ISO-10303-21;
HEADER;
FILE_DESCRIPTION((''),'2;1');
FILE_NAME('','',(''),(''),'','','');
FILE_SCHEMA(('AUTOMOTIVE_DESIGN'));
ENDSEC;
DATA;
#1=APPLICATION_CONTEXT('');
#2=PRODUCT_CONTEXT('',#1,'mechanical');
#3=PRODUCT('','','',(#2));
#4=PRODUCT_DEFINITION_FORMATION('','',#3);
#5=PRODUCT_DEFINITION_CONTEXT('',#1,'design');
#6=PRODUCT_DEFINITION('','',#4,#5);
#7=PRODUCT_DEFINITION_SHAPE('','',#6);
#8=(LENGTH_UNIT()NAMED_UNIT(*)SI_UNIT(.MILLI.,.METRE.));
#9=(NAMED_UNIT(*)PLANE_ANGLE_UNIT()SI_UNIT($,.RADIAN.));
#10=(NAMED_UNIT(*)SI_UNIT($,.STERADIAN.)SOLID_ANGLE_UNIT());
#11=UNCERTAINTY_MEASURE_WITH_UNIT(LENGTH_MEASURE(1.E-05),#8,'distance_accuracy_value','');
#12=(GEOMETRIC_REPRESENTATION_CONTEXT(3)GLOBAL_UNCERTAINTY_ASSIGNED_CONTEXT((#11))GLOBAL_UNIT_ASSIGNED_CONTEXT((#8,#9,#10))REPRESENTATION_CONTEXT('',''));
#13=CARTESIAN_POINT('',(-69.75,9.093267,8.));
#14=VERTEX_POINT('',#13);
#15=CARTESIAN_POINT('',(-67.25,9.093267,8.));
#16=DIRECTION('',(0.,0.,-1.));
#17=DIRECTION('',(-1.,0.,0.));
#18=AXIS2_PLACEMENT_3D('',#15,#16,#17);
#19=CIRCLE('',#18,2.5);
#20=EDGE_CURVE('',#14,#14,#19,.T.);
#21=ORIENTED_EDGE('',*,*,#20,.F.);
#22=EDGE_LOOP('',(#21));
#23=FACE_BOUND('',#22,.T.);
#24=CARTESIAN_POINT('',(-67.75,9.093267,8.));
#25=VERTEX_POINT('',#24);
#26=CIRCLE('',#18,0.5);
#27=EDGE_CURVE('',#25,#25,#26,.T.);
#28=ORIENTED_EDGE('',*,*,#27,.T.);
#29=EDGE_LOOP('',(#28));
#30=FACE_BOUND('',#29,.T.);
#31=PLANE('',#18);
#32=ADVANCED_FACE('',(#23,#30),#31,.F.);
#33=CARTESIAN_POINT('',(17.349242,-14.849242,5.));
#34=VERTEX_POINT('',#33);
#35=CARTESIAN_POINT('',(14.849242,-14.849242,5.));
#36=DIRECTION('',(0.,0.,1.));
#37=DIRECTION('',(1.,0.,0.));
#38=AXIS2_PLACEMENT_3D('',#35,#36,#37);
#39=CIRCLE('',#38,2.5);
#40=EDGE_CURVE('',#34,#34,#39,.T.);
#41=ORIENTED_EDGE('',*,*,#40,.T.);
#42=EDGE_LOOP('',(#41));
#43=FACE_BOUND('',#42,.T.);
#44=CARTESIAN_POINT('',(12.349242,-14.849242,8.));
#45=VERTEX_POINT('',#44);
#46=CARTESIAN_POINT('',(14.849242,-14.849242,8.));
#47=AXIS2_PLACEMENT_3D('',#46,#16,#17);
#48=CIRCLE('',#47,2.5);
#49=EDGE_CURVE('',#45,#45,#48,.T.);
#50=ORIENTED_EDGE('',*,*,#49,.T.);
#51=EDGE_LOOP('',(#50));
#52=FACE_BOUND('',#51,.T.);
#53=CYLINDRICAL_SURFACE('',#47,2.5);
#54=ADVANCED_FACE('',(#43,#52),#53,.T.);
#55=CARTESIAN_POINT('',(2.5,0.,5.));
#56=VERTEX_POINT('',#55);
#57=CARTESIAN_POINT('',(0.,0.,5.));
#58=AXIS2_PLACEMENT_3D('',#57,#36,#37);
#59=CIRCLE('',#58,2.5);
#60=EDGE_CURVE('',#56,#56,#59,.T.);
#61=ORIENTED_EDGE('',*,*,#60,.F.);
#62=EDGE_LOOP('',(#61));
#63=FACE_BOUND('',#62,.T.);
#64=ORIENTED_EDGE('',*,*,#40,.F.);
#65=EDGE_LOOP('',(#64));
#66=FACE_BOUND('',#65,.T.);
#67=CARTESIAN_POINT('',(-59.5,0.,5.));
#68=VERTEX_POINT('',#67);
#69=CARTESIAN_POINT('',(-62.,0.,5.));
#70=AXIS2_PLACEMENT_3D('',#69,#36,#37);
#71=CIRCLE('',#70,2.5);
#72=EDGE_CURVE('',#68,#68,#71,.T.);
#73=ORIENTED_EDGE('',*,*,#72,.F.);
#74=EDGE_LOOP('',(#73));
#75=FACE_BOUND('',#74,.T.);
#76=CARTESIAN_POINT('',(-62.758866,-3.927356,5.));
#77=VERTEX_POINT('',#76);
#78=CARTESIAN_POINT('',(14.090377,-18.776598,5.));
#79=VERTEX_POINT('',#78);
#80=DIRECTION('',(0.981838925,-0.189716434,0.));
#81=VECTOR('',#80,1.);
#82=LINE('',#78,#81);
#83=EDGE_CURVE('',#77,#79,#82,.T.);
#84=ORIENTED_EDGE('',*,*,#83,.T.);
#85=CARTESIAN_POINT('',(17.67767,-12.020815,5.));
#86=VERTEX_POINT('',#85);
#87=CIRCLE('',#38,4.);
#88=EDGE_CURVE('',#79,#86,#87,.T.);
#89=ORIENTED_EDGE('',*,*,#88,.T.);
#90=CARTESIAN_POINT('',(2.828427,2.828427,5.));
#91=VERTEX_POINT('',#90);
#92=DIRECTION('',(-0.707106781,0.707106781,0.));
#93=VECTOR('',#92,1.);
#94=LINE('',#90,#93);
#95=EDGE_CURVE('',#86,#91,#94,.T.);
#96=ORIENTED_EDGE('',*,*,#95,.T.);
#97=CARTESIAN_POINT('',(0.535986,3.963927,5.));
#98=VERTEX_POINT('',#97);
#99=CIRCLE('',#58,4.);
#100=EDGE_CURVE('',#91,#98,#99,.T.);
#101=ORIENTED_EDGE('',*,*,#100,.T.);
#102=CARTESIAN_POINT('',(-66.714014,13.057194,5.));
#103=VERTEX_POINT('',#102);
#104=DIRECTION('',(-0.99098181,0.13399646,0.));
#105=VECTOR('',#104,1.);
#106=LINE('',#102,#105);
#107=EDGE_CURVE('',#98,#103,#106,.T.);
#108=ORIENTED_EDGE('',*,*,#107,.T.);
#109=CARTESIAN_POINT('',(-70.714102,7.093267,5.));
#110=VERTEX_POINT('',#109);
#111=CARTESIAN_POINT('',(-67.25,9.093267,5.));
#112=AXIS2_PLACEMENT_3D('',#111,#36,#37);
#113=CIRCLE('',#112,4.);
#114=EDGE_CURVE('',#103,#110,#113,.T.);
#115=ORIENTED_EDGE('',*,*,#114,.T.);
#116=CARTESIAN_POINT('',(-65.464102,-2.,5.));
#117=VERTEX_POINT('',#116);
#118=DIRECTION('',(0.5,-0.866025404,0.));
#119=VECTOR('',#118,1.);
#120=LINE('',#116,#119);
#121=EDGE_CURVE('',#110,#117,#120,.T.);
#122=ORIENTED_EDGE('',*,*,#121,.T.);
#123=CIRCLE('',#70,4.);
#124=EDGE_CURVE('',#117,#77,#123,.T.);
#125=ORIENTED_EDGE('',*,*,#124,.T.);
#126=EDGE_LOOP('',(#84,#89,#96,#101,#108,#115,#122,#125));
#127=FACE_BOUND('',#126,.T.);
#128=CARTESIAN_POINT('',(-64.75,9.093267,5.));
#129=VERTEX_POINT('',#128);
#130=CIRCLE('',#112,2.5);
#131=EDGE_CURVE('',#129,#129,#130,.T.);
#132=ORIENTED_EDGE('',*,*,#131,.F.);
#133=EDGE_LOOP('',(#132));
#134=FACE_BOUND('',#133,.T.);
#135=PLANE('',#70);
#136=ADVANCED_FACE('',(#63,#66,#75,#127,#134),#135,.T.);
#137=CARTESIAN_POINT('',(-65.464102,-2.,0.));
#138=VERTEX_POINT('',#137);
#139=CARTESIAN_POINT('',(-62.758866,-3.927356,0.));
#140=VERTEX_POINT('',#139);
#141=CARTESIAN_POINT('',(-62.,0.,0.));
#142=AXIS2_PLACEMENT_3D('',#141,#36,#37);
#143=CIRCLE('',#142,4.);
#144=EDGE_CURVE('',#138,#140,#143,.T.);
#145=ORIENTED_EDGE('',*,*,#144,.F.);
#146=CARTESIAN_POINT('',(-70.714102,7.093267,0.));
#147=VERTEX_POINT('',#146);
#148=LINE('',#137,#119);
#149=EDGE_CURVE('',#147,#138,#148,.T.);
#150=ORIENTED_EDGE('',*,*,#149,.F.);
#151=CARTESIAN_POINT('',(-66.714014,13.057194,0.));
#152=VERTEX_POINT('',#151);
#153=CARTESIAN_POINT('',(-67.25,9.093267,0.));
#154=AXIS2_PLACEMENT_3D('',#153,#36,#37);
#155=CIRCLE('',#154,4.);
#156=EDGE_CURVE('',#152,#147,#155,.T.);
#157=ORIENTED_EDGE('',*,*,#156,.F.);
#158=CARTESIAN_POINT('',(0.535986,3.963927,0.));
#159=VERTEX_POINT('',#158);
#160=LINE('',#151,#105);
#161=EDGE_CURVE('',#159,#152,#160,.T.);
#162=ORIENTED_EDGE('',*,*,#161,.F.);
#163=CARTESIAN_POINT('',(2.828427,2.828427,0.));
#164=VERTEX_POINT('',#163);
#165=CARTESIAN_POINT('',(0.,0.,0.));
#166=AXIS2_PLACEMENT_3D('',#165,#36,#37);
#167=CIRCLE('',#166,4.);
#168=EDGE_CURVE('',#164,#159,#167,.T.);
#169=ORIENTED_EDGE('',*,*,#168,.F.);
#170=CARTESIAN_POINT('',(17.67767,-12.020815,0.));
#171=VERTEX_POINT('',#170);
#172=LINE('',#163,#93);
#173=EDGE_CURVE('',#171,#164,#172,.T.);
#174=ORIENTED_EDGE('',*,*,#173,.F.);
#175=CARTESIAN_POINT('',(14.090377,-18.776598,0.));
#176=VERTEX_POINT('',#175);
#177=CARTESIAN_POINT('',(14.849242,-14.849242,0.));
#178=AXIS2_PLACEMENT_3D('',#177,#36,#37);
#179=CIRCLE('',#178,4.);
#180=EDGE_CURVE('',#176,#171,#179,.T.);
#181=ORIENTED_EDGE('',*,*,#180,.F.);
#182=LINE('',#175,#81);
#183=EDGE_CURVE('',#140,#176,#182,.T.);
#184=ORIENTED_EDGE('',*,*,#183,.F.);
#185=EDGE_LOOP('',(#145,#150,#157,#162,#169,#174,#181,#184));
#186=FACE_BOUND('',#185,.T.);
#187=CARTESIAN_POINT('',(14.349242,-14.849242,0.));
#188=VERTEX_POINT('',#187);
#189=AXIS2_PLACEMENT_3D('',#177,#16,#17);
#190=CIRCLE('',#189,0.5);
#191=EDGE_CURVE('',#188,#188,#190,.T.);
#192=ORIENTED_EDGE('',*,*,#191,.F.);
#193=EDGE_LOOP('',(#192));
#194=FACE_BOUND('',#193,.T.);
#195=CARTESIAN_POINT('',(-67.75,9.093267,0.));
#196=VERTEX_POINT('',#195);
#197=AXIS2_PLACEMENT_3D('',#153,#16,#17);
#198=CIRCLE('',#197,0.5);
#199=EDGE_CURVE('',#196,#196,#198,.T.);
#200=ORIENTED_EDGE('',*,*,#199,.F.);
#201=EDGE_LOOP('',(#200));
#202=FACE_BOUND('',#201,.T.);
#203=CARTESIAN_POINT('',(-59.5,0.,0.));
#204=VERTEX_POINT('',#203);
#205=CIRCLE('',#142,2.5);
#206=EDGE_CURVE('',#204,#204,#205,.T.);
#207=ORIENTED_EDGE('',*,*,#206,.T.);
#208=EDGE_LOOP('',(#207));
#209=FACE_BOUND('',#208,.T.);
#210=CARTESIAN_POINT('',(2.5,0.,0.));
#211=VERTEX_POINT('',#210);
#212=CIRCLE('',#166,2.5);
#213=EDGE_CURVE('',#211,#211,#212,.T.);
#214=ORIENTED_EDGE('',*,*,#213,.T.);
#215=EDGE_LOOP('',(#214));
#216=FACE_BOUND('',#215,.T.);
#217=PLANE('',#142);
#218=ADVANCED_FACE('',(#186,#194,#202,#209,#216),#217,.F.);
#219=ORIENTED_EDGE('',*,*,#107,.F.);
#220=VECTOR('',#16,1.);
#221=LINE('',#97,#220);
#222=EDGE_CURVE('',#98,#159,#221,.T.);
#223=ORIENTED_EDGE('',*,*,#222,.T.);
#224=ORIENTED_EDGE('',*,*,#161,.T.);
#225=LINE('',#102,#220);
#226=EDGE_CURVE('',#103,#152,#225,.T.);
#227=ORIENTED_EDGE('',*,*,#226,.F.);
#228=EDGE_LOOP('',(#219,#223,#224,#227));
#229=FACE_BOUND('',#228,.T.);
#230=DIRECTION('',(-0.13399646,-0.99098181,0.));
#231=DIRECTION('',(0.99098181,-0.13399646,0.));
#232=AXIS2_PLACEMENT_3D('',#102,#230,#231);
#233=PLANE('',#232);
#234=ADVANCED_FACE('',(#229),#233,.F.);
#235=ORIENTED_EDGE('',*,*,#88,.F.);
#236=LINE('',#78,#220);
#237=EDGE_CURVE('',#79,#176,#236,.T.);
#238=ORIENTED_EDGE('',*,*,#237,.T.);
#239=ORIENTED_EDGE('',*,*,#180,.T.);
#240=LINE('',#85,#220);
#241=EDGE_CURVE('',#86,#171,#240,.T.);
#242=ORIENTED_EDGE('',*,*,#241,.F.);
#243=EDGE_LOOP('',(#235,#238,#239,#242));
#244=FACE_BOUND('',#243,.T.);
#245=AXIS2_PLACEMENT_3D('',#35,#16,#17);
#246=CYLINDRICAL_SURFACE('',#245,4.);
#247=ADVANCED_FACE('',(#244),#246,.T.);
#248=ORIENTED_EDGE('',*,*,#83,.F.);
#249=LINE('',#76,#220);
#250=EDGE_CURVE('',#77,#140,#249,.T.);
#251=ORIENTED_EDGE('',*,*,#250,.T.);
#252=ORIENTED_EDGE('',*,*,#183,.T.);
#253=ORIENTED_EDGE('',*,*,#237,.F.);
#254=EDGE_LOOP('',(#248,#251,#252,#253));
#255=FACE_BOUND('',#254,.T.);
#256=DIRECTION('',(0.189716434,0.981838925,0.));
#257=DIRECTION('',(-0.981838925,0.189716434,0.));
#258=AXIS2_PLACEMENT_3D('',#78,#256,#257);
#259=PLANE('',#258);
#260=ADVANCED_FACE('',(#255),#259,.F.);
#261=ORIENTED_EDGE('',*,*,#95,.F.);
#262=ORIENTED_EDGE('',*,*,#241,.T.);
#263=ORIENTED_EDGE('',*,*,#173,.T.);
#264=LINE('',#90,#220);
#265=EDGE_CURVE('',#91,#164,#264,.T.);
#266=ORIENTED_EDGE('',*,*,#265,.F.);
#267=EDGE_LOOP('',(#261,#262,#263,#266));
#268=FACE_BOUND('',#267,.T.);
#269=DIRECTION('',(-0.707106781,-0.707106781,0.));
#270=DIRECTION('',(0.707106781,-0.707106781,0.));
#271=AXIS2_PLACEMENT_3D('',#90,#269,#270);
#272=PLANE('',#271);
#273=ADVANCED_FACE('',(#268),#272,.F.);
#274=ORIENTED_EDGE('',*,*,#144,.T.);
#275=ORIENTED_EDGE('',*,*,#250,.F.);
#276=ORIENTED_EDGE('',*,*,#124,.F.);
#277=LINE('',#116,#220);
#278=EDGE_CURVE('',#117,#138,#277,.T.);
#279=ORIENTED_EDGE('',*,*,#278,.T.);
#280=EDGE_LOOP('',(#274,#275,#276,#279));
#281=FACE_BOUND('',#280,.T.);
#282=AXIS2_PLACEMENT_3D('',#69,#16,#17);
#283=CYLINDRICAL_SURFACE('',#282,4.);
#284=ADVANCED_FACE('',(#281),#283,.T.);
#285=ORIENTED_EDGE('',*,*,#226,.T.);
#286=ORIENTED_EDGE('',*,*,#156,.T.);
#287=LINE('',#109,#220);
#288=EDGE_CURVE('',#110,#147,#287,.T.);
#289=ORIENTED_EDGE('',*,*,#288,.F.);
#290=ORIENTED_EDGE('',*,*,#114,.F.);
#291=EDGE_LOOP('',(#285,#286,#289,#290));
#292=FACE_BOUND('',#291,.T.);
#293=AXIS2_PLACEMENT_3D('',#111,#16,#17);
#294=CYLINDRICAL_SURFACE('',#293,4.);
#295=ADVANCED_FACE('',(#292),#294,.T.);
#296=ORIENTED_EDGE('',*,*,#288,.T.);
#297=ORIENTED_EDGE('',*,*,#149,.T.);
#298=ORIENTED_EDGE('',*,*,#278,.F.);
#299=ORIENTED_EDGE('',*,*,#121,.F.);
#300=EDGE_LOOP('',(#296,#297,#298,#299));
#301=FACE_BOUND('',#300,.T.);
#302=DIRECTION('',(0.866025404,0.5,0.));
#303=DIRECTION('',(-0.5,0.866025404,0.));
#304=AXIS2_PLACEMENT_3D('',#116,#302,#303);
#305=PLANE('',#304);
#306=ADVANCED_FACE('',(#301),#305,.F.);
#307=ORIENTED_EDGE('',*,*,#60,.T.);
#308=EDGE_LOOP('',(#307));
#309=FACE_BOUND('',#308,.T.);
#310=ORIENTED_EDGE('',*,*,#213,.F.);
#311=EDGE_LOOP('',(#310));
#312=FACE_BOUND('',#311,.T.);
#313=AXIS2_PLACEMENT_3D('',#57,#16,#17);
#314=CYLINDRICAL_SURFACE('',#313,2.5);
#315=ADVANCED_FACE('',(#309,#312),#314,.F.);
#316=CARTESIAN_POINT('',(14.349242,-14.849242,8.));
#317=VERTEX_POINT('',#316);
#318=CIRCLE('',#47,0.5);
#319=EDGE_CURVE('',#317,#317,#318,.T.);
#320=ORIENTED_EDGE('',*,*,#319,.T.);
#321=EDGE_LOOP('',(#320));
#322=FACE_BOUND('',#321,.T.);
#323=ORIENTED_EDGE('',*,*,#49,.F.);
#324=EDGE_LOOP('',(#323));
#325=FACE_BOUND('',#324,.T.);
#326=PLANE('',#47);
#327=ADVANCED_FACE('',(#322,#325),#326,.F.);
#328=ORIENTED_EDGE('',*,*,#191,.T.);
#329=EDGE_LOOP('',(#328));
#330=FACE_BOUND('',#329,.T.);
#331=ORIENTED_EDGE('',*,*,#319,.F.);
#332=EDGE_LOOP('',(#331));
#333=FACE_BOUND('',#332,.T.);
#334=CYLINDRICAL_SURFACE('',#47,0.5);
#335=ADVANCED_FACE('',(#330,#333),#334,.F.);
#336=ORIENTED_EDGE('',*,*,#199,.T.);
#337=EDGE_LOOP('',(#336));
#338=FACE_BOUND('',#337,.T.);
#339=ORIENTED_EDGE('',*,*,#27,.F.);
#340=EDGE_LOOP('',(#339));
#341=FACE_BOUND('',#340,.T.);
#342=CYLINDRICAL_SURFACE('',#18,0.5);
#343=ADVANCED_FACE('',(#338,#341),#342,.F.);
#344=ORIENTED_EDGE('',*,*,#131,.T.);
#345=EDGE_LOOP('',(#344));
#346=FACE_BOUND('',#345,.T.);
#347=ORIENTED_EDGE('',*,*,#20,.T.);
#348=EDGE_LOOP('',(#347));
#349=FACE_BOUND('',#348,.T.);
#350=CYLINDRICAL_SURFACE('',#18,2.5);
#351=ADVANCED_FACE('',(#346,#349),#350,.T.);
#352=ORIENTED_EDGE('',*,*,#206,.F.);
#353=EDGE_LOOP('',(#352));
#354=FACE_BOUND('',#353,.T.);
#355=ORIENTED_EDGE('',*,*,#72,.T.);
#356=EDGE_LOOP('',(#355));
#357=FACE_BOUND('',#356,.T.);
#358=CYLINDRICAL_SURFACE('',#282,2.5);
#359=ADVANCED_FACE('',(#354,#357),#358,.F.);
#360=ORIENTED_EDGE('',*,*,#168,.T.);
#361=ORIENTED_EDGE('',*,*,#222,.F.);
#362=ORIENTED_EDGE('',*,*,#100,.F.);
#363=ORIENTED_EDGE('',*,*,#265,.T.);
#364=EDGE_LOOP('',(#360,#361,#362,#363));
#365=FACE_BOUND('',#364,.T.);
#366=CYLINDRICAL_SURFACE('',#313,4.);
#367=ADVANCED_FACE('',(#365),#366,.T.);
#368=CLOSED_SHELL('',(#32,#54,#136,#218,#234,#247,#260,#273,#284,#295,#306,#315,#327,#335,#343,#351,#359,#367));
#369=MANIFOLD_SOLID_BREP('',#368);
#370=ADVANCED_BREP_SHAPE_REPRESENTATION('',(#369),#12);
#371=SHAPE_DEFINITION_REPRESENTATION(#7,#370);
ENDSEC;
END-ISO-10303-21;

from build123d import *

# Parameters (mm, degrees)
SKETCH2_R           = 2.5
BOSS_EXTRUDE1_DEPTH = 5
SKETCH4_R           = 2.5
SKETCH4_R_2         = 0.5
BOSS_EXTRUDE3_DEPTH = 8


with BuildPart() as part:
    # Sketch2 → Boss-Extrude1 (new body)
    with BuildSketch(Plane.XY):
        with BuildLine():
            Line((-66.71401416, 13.057193982), (0.53598584, 3.963927242))
            ThreePointArc((0.53598584, 3.963927242), (1.775431998, 3.584388542), (2.828427125, 2.828427125))
            Line((2.828427125, 2.828427125), (17.67766953, -12.02081528))
            ThreePointArc((17.67766953, -12.02081528), (18.382077171, -16.725163117), (14.09037667, -18.776598105))
            Line((14.09037667, -18.776598105), (-62.758865735, -3.9273557))
            ThreePointArc((-62.758865735, -3.9273557), (-64.32099942, -3.257754087), (-65.464101615, -2))
            Line((-65.464101615, -2), (-70.714101615, 7.09326674))
            ThreePointArc((-70.714101615, 7.09326674), (-70.571983223, 11.321366258), (-66.71401416, 13.057193982))
        make_face()
        with Locations((-62, 0)):
            Circle(SKETCH2_R, mode=Mode.SUBTRACT)
        with Locations((-67.25, 9.09326674)):
            Circle(SKETCH2_R, mode=Mode.SUBTRACT)
        Circle(SKETCH2_R, mode=Mode.SUBTRACT)
        with Locations((14.849242405, -14.849242405)):
            Circle(SKETCH2_R, mode=Mode.SUBTRACT)
    extrude(amount=BOSS_EXTRUDE1_DEPTH)

    # Sketch4 → Boss-Extrude3 (add)
    # profile 1 of 2: a face of its own
    with BuildSketch(Plane(origin=(0, 0, 0), x_dir=(-1, 0, 0), z_dir=(0, 0, -1))):
        with Locations((67.25, 9.09326674)):
            Circle(SKETCH4_R)
        with Locations((67.25, 9.09326674)):
            Circle(SKETCH4_R_2, mode=Mode.SUBTRACT)
    # profile 2 of 2: a face of its own
    with BuildSketch(Plane(origin=(0, 0, 0), x_dir=(-1, 0, 0), z_dir=(0, 0, -1))):
        with Locations((-14.849242405, -14.849242405)):
            Circle(SKETCH4_R)
        with Locations((-14.849242405, -14.849242405)):
            Circle(SKETCH4_R_2, mode=Mode.SUBTRACT)
    extrude(amount=-BOSS_EXTRUDE3_DEPTH)


solid = part.part
